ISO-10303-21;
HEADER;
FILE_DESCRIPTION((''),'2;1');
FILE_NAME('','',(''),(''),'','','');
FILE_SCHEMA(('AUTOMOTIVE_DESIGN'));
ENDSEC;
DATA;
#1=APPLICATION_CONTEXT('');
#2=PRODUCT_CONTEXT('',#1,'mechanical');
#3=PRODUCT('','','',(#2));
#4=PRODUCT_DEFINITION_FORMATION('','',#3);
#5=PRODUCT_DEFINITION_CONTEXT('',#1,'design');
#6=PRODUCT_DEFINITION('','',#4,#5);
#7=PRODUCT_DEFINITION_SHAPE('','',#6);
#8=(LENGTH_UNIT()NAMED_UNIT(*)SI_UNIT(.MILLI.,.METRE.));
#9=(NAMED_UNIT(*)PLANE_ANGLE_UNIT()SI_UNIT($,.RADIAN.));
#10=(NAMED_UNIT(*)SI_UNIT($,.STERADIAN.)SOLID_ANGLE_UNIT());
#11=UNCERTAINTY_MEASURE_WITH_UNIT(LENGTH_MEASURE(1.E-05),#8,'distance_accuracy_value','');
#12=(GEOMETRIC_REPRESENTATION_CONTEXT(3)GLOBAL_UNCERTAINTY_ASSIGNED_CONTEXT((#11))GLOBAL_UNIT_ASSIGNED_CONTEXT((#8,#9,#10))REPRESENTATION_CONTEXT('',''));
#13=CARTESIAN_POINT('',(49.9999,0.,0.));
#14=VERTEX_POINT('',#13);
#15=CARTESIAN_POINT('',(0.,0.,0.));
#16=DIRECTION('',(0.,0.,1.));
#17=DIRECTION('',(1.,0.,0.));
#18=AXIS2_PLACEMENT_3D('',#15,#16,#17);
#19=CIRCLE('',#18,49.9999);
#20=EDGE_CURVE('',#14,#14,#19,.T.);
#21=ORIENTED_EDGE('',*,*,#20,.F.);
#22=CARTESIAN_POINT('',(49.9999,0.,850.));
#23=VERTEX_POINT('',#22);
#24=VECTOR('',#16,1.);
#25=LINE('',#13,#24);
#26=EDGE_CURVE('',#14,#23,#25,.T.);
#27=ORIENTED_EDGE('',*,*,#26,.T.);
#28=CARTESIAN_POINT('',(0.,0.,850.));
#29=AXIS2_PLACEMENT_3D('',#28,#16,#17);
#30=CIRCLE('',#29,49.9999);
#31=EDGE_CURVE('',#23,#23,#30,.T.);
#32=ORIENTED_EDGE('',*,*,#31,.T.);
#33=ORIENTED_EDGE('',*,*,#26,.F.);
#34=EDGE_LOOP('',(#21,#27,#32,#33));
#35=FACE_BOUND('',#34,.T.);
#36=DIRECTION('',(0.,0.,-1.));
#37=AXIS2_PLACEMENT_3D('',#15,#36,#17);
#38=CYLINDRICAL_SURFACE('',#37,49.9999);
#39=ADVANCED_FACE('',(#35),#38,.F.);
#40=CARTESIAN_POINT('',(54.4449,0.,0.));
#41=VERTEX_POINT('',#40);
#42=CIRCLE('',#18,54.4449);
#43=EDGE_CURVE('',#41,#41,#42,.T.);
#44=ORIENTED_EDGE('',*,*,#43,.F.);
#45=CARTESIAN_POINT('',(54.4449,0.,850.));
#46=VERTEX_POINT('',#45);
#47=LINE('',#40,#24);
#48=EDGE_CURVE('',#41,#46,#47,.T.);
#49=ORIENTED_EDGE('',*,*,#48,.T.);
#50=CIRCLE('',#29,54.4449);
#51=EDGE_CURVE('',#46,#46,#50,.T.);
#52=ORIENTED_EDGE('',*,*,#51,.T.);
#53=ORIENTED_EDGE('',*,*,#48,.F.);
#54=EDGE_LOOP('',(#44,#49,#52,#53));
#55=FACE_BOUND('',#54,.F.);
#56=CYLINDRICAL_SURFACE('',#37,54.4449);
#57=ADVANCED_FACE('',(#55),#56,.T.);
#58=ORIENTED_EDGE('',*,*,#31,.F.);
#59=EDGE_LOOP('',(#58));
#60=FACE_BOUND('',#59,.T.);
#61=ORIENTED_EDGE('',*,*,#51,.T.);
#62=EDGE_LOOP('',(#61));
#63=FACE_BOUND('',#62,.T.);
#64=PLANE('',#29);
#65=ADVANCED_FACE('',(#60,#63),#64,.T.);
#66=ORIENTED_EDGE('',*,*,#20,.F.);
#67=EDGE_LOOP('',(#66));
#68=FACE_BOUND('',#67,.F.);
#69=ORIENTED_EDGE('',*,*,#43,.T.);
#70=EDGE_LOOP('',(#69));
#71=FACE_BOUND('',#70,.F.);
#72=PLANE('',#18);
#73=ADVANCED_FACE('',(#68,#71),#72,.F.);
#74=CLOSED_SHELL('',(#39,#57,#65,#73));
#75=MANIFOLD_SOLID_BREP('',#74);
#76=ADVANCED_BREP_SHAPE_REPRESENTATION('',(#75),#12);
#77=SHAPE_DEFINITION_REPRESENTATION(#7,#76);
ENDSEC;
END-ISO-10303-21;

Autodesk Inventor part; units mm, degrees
ref_plane "YZ Plane" through (0, 0, 0) normal (1, 0, 0) x (0, 1, 0)
ref_plane "XZ Plane" through (0, 0, 0) normal (0, 1, 0) x (-1, 0, 0)
ref_plane "XY Plane" through (0, 0, 0) normal (0, 0, 1) x (1, 0, 0)
sketch "Sketch1" plane through (0, 0, 0) normal (0, 0, 1) x (1, 0, 0)
  circle A0 centre (0, 0) radius 49.9999
  circle A1 centre (0, 0) radius 54.4449
  dimension "d0" = 99.9998
  dimension "d1" = 4.445
extrude "Extrusion1" add sketch "Sketch1" along normal blind 850
properties part number "pipe0.85m"
